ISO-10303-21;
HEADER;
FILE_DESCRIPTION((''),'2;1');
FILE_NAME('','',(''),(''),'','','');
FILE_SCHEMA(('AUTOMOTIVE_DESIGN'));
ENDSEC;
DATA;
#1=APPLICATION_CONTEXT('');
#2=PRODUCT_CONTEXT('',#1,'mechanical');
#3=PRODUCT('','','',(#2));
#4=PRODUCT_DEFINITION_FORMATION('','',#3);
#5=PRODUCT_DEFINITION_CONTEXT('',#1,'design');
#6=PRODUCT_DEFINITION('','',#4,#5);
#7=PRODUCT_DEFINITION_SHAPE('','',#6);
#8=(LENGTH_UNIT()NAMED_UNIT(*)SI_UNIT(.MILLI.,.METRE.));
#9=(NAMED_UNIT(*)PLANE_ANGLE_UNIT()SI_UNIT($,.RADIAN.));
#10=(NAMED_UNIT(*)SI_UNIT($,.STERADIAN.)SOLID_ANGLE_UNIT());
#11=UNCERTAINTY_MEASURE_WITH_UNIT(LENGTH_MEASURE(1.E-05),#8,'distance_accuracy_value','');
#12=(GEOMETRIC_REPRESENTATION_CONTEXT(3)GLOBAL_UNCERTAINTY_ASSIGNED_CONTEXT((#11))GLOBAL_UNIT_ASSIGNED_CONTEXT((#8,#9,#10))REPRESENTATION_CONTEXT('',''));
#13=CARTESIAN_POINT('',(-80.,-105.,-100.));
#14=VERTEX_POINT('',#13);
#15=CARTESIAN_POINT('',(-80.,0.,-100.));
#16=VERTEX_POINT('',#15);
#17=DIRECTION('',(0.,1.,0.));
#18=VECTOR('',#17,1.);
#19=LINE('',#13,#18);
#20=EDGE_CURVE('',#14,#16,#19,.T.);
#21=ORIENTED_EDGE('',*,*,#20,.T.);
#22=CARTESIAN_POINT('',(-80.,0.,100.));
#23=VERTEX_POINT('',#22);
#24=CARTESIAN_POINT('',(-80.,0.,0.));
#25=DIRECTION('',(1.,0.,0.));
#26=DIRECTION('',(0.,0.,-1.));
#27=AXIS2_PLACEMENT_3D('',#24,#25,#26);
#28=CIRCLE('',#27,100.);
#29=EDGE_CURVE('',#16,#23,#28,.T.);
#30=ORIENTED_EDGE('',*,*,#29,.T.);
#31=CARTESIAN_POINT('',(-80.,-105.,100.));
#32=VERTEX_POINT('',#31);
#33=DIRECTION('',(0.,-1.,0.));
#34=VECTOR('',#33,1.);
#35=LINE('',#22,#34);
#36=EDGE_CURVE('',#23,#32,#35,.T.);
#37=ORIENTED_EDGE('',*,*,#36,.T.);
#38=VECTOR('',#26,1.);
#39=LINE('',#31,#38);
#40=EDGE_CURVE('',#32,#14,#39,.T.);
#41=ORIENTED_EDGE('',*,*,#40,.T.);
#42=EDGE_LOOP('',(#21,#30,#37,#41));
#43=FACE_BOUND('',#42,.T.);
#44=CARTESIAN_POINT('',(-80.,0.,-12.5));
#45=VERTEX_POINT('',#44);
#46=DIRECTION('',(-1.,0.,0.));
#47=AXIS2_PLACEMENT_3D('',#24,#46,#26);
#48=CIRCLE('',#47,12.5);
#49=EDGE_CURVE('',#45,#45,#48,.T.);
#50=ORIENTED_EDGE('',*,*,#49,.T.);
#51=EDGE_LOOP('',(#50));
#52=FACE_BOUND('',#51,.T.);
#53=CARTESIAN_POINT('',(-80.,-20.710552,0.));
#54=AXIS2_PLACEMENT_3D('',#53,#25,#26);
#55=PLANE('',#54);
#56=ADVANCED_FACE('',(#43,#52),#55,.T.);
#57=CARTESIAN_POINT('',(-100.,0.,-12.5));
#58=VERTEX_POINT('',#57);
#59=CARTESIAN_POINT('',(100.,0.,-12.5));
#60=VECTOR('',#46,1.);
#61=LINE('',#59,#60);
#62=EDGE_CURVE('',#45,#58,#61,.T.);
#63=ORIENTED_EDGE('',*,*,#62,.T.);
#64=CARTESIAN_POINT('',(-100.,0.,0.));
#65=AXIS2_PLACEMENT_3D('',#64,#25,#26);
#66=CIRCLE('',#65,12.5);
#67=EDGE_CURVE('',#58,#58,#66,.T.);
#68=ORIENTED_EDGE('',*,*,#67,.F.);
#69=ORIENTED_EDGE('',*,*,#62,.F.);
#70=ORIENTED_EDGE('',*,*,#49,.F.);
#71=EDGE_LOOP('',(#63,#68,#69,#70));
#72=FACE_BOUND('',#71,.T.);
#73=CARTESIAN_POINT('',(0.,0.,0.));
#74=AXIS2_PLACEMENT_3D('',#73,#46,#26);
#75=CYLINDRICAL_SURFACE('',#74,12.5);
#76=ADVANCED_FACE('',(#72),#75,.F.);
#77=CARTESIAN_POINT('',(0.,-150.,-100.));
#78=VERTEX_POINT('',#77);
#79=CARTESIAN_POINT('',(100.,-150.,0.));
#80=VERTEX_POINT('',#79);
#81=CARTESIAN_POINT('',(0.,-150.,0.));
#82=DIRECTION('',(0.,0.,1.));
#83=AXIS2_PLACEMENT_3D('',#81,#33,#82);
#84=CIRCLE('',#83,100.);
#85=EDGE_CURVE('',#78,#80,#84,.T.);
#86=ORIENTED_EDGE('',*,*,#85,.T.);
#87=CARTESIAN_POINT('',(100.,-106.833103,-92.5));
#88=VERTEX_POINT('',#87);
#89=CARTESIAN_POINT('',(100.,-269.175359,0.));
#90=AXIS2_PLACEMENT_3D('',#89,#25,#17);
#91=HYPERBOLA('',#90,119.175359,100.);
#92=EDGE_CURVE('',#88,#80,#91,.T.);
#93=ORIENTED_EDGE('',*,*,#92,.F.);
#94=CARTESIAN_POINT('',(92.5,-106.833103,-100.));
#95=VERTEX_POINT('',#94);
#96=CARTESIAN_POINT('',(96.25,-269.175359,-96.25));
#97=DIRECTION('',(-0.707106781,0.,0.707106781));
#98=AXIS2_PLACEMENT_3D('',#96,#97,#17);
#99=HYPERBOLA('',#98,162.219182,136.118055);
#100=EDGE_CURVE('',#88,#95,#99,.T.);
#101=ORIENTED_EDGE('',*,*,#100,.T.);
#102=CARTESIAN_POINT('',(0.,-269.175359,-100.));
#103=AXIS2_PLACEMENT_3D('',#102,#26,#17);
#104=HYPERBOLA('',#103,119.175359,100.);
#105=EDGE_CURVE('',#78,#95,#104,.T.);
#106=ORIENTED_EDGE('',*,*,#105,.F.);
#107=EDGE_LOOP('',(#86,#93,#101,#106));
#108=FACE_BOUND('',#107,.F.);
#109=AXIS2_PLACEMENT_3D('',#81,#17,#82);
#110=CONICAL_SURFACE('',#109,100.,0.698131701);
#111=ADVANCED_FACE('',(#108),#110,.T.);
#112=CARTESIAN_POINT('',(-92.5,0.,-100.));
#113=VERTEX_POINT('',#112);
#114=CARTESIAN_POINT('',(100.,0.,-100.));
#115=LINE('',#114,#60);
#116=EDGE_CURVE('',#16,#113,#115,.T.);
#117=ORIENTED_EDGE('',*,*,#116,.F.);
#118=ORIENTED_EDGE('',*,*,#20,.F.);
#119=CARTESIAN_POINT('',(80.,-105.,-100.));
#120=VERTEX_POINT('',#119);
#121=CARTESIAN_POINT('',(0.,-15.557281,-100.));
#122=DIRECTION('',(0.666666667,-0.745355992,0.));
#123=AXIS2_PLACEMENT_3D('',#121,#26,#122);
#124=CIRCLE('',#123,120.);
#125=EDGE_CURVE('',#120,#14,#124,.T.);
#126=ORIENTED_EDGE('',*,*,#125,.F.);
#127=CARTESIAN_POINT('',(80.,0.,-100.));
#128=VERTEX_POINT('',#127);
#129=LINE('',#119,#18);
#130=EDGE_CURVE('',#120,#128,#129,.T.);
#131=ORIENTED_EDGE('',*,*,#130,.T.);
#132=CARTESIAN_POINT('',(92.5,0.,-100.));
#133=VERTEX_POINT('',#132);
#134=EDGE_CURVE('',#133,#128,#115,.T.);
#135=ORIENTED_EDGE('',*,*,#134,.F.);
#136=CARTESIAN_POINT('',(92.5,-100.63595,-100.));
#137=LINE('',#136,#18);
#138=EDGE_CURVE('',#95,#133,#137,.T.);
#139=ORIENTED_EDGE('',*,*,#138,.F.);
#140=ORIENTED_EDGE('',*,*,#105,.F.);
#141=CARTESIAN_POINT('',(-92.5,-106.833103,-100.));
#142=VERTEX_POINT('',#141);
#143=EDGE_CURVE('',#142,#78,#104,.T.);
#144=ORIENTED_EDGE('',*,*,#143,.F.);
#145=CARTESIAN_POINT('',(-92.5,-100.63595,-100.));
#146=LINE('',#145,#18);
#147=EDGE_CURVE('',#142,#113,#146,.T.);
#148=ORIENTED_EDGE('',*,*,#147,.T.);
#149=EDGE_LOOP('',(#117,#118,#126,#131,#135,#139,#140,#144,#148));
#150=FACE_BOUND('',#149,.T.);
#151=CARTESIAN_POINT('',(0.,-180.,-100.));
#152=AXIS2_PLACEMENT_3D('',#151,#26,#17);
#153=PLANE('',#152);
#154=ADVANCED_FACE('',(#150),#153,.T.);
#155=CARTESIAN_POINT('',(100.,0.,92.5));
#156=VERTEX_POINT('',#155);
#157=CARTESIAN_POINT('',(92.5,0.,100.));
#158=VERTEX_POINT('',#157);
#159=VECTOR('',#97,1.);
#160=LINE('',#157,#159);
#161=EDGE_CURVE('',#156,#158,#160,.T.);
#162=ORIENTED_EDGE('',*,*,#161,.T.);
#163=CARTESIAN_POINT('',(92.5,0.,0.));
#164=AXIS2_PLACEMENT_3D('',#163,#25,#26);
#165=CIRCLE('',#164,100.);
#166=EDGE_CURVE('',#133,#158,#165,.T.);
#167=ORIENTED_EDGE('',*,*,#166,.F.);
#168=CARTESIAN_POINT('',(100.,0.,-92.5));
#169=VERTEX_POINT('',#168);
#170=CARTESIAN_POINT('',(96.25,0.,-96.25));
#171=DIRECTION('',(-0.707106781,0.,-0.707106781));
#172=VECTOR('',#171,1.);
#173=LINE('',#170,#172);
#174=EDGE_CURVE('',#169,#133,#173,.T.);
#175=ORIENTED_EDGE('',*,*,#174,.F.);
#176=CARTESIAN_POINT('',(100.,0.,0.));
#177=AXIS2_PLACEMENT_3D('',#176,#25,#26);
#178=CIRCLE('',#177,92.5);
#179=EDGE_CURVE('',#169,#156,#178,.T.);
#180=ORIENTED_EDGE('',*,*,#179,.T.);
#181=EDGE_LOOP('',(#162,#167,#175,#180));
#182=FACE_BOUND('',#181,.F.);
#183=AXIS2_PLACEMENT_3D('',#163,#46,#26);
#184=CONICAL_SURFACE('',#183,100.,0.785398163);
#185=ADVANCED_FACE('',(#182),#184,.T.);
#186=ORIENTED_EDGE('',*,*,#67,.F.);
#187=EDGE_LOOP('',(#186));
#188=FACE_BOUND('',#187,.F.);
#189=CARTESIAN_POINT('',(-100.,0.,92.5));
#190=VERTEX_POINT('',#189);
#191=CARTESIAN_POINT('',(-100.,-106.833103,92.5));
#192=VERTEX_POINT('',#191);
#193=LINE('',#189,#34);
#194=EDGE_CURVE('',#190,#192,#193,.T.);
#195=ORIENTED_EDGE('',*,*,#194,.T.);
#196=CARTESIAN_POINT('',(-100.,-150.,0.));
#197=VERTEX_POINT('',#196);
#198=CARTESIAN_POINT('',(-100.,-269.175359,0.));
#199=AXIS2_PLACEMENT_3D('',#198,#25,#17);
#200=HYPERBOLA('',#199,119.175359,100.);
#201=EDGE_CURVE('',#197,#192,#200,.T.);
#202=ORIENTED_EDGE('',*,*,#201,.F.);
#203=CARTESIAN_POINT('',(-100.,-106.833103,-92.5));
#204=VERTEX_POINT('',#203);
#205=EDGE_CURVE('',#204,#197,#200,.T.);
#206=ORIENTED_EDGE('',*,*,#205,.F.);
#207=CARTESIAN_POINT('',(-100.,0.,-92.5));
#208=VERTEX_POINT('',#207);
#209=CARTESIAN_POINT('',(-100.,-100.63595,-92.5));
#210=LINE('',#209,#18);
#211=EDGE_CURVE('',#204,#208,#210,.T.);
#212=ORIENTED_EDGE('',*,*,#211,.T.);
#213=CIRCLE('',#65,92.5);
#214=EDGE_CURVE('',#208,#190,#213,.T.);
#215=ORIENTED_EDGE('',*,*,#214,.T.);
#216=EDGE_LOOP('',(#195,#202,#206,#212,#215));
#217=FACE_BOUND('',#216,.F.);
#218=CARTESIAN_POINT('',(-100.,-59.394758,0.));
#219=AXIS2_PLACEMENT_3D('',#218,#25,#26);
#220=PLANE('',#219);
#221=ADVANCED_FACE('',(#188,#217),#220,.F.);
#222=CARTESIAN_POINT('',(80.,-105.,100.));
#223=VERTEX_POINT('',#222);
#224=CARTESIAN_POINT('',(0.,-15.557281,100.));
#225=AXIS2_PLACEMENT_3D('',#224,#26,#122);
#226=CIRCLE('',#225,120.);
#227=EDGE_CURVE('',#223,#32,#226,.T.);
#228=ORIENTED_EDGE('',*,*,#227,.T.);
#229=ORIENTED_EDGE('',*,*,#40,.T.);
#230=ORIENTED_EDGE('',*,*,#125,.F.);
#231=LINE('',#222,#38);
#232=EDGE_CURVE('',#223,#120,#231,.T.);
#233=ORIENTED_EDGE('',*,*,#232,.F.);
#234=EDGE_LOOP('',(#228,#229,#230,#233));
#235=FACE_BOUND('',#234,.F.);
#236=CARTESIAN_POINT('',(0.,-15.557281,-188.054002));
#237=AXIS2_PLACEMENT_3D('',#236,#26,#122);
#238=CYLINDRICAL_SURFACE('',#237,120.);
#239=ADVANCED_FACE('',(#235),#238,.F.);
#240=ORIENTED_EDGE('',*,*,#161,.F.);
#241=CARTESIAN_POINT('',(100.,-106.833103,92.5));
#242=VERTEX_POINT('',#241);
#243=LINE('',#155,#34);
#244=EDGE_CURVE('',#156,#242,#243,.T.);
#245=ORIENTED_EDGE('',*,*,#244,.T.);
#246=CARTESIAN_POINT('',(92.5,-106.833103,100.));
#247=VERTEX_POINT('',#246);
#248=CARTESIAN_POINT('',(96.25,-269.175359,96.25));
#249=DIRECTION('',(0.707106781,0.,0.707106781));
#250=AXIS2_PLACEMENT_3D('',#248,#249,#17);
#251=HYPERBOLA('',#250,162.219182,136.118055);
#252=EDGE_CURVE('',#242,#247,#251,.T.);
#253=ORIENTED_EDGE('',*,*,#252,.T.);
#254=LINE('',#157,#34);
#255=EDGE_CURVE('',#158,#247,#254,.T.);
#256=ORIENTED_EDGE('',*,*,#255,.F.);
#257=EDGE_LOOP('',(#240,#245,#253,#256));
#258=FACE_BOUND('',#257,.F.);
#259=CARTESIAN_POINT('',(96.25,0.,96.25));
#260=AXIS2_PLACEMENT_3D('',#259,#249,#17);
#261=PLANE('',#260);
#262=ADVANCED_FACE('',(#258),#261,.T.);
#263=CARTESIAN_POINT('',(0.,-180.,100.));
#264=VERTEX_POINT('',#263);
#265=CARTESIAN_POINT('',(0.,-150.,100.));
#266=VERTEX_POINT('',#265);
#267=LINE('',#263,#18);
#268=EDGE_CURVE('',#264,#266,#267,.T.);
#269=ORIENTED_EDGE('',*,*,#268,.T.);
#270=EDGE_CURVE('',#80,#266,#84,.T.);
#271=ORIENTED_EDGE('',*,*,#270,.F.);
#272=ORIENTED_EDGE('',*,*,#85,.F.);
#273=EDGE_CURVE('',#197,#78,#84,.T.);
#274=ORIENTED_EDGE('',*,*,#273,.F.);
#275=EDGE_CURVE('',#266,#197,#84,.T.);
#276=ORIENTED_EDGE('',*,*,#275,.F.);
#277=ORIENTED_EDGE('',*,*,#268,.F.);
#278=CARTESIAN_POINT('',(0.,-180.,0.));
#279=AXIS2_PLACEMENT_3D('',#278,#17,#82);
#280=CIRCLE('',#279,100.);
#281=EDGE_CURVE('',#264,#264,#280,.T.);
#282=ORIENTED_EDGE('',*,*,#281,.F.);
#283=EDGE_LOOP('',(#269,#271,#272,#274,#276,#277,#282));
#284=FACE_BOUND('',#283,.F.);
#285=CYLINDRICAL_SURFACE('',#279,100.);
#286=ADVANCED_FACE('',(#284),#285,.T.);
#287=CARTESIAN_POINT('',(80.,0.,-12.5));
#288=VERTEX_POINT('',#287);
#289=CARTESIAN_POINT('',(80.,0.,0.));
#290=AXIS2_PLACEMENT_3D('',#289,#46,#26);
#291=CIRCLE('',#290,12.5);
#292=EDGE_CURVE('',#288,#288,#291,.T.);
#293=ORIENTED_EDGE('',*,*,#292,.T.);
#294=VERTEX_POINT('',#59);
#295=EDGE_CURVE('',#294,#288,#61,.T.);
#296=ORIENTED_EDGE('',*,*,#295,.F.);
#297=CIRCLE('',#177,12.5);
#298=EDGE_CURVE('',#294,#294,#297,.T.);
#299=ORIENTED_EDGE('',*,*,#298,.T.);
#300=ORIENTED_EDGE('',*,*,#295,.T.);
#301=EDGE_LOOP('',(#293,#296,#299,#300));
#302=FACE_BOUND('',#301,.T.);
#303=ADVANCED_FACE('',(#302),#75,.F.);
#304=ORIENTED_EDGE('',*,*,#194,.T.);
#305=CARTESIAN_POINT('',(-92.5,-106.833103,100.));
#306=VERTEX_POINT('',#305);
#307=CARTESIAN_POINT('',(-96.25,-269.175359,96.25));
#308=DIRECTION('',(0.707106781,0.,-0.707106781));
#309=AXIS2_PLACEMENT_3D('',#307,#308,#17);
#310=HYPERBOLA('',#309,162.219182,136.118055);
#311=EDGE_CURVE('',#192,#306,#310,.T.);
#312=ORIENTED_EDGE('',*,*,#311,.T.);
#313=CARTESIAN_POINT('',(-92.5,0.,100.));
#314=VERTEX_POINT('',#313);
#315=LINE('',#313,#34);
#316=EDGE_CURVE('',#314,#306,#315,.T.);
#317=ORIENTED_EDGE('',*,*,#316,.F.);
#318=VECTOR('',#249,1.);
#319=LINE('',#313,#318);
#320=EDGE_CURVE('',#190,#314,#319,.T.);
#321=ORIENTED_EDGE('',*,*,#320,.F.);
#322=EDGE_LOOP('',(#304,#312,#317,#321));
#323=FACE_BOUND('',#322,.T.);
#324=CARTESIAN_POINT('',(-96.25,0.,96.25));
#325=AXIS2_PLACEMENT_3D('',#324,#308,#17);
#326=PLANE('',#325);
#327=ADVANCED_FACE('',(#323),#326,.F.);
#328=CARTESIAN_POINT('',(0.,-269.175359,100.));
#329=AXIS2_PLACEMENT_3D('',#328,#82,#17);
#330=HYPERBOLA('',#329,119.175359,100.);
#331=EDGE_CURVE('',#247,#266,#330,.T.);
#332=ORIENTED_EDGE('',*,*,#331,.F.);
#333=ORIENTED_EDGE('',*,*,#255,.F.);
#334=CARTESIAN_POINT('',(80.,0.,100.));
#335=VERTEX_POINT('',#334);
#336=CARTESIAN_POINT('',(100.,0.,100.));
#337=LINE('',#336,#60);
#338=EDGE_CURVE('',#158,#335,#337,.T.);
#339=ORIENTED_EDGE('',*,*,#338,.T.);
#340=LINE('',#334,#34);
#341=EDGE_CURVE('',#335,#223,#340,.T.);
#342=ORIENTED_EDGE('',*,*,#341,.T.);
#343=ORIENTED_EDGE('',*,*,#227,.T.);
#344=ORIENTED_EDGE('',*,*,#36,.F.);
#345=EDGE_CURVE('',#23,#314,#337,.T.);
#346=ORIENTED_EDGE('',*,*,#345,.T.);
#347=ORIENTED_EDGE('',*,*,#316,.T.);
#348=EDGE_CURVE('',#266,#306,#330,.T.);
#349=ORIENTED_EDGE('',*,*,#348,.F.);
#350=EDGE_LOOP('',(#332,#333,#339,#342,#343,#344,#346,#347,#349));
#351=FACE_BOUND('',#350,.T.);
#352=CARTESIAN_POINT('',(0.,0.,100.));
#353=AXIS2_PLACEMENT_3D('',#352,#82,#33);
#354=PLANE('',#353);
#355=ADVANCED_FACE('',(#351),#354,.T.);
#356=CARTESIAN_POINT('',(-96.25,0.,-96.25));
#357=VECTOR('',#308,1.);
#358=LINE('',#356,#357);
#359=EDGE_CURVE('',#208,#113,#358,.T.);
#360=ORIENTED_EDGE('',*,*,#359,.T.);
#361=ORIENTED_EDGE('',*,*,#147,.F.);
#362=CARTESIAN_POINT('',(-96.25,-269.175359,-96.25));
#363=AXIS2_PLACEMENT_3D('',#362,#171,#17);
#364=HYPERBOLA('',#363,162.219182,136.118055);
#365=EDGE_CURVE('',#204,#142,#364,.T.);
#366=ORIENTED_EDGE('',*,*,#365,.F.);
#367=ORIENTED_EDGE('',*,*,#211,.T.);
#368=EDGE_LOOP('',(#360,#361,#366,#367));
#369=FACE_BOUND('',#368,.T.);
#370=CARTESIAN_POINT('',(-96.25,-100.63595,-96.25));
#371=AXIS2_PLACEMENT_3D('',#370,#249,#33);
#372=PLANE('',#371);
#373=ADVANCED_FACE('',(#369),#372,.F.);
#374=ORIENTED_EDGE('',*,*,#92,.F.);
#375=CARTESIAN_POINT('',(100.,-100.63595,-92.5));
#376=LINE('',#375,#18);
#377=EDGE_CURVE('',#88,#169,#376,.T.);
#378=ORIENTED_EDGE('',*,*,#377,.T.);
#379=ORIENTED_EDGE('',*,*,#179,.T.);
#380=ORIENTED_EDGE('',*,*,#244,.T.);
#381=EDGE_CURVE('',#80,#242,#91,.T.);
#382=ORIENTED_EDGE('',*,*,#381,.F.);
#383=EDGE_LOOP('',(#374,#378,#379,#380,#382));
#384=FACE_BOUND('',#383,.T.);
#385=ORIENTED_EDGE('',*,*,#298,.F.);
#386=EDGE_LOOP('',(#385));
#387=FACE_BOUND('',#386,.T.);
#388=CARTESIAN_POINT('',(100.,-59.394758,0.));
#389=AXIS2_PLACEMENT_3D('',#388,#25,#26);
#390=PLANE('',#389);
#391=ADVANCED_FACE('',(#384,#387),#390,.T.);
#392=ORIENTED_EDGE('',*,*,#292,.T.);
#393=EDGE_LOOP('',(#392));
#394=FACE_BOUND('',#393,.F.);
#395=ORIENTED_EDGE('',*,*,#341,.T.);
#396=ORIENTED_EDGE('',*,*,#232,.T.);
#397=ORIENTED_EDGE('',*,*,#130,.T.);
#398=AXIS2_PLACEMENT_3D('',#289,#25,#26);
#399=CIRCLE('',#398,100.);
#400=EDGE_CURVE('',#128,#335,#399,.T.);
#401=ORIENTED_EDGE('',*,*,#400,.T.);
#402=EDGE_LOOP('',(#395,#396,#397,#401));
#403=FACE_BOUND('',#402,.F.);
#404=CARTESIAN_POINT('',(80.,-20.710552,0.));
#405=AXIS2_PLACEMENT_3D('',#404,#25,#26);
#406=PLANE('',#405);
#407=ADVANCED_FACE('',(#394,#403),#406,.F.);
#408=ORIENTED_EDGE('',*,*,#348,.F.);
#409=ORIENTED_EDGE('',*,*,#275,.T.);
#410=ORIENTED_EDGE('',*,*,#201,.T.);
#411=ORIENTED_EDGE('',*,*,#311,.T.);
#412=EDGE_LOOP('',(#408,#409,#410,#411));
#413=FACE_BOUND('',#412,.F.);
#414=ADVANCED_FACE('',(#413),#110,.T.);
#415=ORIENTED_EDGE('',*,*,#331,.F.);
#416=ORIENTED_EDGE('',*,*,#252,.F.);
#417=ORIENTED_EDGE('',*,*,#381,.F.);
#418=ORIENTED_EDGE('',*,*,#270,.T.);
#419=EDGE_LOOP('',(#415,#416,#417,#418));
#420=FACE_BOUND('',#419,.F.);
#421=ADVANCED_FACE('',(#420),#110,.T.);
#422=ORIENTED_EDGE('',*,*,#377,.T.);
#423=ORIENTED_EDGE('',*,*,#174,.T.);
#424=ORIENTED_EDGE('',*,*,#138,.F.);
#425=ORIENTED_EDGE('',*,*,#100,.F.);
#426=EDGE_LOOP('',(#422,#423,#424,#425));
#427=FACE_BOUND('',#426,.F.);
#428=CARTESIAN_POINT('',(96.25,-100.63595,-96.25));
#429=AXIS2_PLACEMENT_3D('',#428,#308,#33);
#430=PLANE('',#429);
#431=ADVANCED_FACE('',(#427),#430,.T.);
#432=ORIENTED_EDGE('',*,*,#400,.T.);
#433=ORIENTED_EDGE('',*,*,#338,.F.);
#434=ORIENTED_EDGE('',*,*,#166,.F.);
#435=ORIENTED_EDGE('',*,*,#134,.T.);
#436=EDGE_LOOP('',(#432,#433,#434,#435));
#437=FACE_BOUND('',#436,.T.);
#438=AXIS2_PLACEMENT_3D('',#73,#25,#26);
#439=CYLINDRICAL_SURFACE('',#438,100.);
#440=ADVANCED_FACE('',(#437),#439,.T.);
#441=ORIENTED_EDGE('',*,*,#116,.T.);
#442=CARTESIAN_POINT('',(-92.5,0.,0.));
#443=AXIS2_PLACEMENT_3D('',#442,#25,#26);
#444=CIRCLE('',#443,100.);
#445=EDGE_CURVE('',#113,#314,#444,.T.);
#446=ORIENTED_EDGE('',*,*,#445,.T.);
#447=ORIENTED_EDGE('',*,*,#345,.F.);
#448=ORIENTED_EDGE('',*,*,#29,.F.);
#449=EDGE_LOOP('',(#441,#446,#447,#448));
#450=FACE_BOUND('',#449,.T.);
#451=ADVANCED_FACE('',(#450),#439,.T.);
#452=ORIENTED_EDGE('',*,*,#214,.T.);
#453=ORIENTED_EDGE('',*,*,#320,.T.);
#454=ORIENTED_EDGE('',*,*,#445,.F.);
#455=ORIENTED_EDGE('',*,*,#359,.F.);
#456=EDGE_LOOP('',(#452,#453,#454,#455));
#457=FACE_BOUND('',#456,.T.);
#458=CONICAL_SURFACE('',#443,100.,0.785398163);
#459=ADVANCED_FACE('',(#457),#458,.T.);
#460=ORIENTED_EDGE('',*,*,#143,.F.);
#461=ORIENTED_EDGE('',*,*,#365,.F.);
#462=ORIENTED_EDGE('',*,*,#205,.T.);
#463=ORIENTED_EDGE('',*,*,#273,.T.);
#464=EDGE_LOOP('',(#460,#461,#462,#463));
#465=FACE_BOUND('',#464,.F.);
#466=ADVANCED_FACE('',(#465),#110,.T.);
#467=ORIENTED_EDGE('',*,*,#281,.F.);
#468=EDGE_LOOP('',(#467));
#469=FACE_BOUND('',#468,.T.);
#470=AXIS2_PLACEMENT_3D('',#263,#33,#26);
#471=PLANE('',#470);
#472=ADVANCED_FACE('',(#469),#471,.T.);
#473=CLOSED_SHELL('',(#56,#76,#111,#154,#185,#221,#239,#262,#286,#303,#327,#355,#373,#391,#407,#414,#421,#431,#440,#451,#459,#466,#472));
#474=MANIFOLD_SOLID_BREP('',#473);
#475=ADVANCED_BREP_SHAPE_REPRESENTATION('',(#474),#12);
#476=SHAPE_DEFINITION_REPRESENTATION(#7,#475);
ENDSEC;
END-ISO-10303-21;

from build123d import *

# Parameters (mm, degrees)
SKETCH1_R               = 12.5
BOSS_EXTRUDE1_DEPTH     = 100
CUT_EXTRUDE1_DEPTH      = 80
CHAMFER2_SIZE           = 7.5
CUT_EXTRUDE2_DEPTH      = 288.054001888
CUT_EXTRUDE2_DEPTH_BACK = 288.054001888


with BuildPart() as part:
    # Sketch1 → Boss-Extrude1 (new, symmetric)
    with BuildSketch(Plane(origin=(0, 0, 0), x_dir=(0, 0, -1), z_dir=(1, 0, 0))):
        with BuildLine():
            Line((-100, 0), (-100, -180))
            Line((-100, -180), (100, -180))
            Line((100, -180), (100, 0))
            ThreePointArc((100, 0), (0, 100), (-100, 0))
        make_face()
        Circle(SKETCH1_R, mode=Mode.SUBTRACT)
    extrude(amount=BOSS_EXTRUDE1_DEPTH, both=True)

    # Sketch2 → Cut-Revolve1 (revolve, cut)
    with BuildSketch(Plane(origin=(0, 0, 0), x_dir=(0, 0, -1), z_dir=(1, 0, 0)), mode=Mode.PRIVATE) as cut_revolve1_sk:
        Polygon((100, -180), (100, -150), (150, -90.41232037), (150, -180), align=None)
    revolve(cut_revolve1_sk.sketch.rotate(Axis((0, 100, 0), (0, -1, 0)), 180), axis=Axis((0, 100, 0), (0, -1, 0)), mode=Mode.SUBTRACT)

    # Sketch3 → Cut-Extrude1 (cut, symmetric)
    with BuildSketch(Plane(origin=(0, 0, 0), x_dir=(0, 0, -1), z_dir=(1, 0, 0))):
        with BuildLine():
            Line((-100, 0), (-100, -105))
            Line((-100, -105), (100, -105))
            Line((100, -105), (100, 0))
            ThreePointArc((100, 0), (0, 100), (-100, 0))
        make_face()
    extrude(amount=CUT_EXTRUDE1_DEPTH, both=True, mode=Mode.SUBTRACT)

    # Chamfer2
    chamfer2_edges = [part.edges().sort_by_distance(p)[0] for p in [
        (100, -50.317974947, -100),
        (100, -50.317974947, 100),
        (100, 100, 0),
        (-100, -50.317974947, -100),
        (-100, -50.317974947, 100),
        (-100, 100, 0),
    ]]
    chamfer(chamfer2_edges, length=CHAMFER2_SIZE)

    # Sketch4 → Cut-Extrude2 (cut, two sides: drawn at the far end of the back side and taken through both)
    with BuildSketch(Plane.XY.offset(100).offset(-CUT_EXTRUDE2_DEPTH_BACK)):
        with BuildLine():
            Line((-80, -105), (80, -105))
            ThreePointArc((80, -105), (0, -135.5572809), (-80, -105))
        make_face()
    extrude(amount=CUT_EXTRUDE2_DEPTH + CUT_EXTRUDE2_DEPTH_BACK, mode=Mode.SUBTRACT)


solid = part.part
